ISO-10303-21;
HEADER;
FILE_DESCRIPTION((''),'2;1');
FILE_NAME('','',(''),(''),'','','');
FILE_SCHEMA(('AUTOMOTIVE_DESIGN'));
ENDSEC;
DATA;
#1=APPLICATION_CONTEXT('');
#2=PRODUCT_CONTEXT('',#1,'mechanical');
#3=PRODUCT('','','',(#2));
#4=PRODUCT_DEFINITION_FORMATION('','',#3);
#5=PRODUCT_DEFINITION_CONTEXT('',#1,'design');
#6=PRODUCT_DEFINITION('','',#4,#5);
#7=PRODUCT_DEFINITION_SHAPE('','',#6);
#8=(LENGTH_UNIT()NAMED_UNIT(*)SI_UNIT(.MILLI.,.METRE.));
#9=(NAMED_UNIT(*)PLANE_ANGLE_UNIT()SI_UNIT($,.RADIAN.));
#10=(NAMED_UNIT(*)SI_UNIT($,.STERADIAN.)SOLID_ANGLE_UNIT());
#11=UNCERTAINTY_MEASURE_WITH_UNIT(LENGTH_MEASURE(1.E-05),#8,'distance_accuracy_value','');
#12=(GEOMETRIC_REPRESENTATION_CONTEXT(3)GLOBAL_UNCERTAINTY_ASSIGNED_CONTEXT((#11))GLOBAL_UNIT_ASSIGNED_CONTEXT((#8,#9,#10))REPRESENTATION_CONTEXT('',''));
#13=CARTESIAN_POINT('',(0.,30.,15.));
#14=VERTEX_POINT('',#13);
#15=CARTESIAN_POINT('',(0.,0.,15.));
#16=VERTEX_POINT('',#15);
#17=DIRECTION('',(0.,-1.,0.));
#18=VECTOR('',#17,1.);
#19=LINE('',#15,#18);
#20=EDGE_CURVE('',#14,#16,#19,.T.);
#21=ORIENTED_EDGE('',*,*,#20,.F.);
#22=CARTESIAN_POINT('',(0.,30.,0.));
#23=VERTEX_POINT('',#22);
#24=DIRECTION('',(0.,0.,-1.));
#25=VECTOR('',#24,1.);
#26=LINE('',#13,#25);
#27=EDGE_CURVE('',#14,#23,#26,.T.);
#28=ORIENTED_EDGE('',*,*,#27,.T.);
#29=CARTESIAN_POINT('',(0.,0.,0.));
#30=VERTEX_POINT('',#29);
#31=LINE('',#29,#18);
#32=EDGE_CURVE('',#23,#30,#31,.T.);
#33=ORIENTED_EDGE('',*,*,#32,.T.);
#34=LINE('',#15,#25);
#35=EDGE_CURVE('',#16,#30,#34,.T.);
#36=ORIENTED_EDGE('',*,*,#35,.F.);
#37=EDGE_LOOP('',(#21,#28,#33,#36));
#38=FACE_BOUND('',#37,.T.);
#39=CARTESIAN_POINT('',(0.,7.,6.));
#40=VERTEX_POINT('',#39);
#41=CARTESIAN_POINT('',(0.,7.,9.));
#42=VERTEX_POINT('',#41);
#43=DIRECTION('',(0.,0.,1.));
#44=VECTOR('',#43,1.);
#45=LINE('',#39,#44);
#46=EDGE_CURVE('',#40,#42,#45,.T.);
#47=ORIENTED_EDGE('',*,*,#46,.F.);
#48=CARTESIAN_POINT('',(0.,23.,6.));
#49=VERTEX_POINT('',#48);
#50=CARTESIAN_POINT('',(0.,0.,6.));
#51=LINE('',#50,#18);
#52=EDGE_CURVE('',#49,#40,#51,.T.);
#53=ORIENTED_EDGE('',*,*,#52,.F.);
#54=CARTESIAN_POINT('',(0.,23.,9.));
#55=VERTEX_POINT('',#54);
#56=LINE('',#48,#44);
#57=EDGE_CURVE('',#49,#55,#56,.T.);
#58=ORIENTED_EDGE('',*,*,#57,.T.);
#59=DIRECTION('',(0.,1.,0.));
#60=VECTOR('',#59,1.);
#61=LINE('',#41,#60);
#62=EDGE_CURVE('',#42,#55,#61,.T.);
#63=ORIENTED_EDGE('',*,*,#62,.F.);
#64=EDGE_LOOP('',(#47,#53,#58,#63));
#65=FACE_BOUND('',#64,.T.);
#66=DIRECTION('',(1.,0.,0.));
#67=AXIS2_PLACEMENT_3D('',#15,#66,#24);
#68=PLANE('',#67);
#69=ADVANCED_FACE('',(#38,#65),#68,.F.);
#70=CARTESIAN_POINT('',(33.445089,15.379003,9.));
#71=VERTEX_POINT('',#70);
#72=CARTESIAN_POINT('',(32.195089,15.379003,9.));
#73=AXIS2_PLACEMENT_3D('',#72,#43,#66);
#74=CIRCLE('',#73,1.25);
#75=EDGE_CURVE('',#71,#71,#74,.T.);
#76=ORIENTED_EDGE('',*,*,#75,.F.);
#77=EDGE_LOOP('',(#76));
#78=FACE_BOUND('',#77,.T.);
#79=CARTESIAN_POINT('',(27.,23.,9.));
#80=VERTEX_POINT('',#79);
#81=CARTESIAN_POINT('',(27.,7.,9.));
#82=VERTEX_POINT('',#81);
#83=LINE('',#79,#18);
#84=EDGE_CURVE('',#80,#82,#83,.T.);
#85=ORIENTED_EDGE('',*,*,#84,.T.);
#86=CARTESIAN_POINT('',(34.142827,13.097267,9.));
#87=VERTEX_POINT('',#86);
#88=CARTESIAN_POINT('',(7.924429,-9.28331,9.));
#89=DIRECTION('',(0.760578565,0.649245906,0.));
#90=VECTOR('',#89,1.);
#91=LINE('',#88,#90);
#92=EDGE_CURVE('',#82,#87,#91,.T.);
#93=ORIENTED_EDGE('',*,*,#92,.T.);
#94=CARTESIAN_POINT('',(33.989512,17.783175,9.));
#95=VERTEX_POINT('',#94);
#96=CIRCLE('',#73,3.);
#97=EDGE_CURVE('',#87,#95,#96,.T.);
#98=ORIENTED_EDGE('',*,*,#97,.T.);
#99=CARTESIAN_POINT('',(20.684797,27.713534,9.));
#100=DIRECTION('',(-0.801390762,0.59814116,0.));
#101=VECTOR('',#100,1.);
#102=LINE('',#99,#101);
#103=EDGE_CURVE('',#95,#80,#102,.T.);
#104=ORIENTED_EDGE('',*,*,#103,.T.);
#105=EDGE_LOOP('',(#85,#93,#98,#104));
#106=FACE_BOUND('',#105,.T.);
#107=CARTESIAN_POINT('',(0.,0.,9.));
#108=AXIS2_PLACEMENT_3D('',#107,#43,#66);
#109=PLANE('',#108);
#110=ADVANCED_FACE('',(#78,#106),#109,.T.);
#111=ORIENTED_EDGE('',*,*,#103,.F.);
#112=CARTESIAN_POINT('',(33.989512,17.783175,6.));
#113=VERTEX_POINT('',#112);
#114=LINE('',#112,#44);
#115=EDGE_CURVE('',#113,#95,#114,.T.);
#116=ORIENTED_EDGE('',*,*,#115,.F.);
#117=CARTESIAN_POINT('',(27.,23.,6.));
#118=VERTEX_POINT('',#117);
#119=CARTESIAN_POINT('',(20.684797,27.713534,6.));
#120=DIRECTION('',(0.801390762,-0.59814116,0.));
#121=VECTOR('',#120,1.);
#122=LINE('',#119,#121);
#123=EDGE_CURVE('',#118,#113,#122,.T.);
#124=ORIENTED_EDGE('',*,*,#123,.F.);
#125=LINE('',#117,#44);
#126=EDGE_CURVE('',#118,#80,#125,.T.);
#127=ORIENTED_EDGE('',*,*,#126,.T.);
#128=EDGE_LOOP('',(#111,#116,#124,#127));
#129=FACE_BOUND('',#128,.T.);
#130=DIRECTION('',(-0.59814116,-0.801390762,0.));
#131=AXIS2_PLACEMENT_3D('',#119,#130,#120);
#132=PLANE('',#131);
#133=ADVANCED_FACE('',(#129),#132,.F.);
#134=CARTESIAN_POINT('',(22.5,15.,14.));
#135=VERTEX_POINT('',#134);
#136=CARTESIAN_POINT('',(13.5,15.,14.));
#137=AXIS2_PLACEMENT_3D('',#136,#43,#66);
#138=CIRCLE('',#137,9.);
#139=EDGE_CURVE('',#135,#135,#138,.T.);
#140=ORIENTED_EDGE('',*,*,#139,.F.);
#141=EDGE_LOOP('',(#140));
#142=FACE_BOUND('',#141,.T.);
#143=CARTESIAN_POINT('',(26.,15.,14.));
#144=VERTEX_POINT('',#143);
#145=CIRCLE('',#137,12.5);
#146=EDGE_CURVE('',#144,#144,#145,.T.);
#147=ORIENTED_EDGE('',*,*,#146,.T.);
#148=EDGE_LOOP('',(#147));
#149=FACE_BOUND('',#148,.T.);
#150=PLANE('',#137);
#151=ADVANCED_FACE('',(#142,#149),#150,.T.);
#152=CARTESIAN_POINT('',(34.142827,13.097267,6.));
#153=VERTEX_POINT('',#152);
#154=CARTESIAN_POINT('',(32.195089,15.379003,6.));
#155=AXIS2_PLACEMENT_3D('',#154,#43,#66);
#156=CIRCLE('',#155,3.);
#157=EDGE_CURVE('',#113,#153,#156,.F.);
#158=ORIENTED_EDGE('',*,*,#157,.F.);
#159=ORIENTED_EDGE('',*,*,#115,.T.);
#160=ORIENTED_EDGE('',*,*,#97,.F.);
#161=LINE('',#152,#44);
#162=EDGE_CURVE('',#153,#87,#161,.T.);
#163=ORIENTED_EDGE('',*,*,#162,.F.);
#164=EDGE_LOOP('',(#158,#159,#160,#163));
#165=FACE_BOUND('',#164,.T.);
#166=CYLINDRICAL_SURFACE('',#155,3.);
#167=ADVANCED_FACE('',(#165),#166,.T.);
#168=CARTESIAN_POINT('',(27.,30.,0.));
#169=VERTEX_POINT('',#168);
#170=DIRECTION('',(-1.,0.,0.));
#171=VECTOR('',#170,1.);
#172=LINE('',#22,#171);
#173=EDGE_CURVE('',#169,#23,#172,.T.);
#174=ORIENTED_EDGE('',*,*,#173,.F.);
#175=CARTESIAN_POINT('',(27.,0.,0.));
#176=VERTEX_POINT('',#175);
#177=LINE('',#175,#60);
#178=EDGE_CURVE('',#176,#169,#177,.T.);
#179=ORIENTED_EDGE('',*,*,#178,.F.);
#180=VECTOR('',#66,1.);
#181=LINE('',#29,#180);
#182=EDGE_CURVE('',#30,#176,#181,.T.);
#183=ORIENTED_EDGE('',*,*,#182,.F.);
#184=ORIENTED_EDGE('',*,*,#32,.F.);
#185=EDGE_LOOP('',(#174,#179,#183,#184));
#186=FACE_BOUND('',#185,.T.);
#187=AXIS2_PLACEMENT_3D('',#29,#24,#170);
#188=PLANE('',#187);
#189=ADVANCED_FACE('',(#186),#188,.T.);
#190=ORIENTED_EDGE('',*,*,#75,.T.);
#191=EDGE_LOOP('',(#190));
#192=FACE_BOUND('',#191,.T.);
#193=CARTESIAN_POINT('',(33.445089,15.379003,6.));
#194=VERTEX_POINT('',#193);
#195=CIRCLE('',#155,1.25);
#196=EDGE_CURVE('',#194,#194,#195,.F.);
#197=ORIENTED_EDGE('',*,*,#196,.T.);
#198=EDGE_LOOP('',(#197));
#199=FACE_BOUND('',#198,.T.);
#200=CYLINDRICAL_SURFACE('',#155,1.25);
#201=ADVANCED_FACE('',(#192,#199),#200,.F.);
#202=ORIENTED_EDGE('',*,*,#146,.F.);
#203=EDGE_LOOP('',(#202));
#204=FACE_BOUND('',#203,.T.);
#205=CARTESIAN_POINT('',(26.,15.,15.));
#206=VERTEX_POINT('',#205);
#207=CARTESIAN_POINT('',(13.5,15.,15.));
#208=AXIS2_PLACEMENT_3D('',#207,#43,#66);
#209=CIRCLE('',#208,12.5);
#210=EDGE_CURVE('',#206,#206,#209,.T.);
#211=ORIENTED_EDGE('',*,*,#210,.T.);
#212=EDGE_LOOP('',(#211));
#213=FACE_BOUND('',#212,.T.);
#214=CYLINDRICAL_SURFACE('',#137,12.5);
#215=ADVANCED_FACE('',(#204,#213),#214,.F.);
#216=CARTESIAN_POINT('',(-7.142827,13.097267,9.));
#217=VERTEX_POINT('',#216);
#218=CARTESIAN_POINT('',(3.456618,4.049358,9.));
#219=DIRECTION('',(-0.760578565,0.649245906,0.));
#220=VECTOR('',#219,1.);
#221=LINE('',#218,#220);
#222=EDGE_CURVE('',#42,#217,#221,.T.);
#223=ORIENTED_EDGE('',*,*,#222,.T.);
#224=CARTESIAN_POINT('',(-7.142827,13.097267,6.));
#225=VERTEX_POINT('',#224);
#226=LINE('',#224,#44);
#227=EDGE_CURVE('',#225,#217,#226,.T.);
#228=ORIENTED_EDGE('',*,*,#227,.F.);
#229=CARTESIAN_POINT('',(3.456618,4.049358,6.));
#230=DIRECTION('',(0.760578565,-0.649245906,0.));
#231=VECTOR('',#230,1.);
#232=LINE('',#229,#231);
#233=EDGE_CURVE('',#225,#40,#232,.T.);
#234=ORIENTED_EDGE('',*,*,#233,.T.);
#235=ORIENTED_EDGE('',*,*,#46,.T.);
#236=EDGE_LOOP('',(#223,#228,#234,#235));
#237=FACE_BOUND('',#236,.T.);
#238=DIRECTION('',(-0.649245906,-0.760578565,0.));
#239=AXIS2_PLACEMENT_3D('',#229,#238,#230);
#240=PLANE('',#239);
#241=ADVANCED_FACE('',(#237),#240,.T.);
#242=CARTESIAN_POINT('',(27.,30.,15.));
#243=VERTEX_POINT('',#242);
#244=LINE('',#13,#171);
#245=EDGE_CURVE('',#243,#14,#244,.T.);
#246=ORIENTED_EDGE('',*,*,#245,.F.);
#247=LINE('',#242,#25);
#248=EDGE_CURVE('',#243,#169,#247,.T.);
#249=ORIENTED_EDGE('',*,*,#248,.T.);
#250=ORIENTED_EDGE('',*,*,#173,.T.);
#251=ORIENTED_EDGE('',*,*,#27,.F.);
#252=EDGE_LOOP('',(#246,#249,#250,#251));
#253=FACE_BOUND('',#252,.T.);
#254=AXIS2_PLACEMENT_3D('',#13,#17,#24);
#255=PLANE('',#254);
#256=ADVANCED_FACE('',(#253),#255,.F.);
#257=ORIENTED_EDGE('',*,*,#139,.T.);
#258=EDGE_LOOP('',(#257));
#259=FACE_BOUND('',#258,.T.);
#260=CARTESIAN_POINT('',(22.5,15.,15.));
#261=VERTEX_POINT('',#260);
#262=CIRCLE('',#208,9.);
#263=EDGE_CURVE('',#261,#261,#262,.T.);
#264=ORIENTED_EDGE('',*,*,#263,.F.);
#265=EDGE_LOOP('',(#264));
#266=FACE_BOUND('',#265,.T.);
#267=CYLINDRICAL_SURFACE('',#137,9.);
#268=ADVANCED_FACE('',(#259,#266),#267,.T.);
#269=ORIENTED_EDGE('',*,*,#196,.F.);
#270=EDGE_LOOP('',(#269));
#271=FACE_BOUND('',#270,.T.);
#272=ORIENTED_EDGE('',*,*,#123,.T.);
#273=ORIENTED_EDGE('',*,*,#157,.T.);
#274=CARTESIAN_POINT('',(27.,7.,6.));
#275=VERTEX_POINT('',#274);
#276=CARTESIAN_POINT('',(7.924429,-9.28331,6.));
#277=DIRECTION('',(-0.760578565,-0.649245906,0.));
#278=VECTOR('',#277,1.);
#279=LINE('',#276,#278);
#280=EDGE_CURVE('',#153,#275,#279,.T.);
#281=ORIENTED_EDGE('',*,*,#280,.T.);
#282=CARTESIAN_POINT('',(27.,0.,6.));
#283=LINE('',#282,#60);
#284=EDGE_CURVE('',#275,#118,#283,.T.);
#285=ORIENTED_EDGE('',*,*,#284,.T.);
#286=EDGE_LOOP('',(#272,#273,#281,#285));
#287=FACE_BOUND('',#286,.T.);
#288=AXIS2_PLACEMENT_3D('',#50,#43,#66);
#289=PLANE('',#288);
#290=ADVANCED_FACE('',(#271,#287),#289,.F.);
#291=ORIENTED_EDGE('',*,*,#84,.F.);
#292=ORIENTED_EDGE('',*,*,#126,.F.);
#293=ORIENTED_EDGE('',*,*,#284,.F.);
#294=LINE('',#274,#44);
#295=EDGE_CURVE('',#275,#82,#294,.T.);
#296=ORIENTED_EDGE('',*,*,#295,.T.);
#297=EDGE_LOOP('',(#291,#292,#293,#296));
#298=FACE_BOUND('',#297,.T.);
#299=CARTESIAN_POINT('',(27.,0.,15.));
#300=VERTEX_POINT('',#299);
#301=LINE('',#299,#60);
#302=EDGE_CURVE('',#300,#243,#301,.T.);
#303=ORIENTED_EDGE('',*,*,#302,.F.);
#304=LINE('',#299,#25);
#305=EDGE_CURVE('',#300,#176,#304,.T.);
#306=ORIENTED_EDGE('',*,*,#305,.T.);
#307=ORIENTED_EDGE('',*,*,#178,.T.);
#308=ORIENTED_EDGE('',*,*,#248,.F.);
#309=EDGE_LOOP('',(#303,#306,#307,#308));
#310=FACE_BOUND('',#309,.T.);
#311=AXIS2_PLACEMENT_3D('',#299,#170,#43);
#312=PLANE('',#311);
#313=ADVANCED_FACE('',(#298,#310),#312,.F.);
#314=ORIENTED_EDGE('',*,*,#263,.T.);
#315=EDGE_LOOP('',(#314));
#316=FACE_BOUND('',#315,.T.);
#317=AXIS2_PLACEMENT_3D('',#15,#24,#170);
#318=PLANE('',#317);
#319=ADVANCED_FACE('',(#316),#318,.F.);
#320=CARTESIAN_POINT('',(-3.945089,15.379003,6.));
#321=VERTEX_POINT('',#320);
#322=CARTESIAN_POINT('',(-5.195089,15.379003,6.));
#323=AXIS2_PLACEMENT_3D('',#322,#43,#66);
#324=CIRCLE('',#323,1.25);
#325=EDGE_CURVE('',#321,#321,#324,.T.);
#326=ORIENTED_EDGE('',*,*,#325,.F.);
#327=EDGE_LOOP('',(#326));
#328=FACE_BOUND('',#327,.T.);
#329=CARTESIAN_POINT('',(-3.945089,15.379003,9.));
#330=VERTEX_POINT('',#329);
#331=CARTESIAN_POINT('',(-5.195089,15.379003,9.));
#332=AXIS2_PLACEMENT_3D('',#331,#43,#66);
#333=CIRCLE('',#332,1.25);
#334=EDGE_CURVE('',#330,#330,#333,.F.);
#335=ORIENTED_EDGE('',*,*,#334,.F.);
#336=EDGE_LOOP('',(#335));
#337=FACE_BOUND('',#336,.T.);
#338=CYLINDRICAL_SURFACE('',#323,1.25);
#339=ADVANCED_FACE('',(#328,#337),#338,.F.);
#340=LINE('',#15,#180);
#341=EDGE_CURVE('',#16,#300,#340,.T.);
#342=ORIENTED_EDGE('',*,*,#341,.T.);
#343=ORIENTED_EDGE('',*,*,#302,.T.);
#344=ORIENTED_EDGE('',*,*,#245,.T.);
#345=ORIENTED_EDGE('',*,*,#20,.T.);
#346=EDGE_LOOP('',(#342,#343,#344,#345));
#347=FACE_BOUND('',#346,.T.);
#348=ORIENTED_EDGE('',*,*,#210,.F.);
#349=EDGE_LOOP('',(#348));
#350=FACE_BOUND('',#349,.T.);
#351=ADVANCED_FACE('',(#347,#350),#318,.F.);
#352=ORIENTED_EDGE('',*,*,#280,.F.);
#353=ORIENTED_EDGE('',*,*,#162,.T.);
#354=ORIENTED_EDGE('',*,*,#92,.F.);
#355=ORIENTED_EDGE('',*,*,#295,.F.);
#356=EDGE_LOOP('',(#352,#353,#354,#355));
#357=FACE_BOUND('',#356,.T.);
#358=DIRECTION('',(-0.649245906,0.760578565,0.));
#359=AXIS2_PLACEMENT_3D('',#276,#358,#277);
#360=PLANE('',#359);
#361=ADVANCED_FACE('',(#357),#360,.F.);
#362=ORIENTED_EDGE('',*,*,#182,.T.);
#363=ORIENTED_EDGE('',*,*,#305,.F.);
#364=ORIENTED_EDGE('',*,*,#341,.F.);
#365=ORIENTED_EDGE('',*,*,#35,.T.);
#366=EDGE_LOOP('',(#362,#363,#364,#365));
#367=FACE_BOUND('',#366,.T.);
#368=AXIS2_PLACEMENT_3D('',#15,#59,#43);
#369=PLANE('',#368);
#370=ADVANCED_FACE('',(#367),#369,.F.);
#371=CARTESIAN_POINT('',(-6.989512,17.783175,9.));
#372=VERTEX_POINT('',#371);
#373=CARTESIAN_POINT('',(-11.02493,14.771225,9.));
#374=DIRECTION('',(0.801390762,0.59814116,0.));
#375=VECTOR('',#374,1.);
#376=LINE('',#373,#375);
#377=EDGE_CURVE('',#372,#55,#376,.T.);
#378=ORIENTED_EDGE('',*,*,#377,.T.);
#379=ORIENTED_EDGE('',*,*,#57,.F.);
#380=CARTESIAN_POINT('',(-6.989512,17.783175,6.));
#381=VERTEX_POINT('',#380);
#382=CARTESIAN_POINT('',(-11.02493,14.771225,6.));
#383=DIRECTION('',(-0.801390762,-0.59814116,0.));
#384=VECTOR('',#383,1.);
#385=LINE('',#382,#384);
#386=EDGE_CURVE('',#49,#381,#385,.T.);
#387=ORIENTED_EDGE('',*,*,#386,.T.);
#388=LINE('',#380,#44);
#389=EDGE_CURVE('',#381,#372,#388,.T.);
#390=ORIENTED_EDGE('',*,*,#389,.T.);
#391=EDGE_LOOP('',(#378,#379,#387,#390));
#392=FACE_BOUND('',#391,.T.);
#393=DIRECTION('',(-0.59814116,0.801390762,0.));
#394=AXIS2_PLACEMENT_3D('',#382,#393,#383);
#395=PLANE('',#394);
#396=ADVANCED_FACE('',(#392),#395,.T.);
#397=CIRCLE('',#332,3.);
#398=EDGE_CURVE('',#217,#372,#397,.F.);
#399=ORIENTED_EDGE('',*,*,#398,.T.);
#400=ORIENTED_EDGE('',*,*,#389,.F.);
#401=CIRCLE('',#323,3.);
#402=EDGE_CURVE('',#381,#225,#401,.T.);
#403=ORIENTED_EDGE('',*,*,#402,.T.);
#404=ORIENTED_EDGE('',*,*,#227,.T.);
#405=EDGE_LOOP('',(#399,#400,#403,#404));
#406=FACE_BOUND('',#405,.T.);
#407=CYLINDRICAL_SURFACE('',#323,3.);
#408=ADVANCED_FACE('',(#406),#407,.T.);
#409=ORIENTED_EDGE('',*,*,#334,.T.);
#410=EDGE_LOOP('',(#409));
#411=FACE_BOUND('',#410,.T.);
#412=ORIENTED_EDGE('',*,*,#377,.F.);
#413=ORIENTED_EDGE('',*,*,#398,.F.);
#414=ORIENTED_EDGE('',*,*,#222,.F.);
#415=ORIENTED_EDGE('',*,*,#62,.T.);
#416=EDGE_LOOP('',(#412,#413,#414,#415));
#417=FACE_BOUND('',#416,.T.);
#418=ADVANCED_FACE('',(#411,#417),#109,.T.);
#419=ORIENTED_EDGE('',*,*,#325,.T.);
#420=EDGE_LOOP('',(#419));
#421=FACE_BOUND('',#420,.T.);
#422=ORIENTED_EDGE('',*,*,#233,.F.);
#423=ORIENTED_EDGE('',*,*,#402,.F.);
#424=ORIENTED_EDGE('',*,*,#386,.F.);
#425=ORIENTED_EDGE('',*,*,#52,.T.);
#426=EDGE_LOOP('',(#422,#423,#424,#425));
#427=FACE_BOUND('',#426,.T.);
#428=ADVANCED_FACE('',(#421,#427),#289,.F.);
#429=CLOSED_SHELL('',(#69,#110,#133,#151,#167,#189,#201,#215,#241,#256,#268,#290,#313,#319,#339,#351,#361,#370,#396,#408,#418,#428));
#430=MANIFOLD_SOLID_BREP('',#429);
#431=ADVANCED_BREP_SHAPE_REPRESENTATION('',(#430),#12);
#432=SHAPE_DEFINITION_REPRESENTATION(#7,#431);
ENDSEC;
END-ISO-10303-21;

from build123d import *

# Parameters (mm, degrees)
SKETCH1_W           = 27
SKETCH1_H           = 30
BOSS_EXTRUDE1_DEPTH = 15
SKETCH2_R           = 12.5
SKETCH2_R_2         = 9
CUT_EXTRUDE1_DEPTH  = 1
SKETCH3_R           = 1.25
BOSS_EXTRUDE2_DEPTH = 9
SKETCH4_W           = 10.736601318
SKETCH4_H           = 16
CUT_EXTRUDE2_DEPTH  = 6


with BuildPart() as part:
    # Sketch1 → Boss-Extrude1 (new body)
    with BuildSketch(Plane.XY):
        with Locations((13.5, 15)):
            Rectangle(SKETCH1_W, SKETCH1_H)
    extrude(amount=BOSS_EXTRUDE1_DEPTH)

    # Sketch2 → Cut-Extrude1 (cut)
    with BuildSketch(Plane.XY.offset(15)):
        with Locations((13.5, 15)):
            Circle(SKETCH2_R)
        with Locations((13.5, 15)):
            Circle(SKETCH2_R_2, mode=Mode.SUBTRACT)
    extrude(amount=-CUT_EXTRUDE1_DEPTH, mode=Mode.SUBTRACT)

    # Sketch3 → Boss-Extrude2 (add)
    # profile 1 of 2: a face of its own
    with BuildSketch(Plane.XY.offset(15)):
        with BuildLine():
            Line((0, 7), (0, 23))
            Line((0, 23), (-6.989512345, 17.783175422))
            ThreePointArc((-6.989512345, 17.783175422), (-8.193484437, 15.477105093), (-7.142826585, 13.097267443))
            Line((-7.142826585, 13.097267443), (0, 7))
        make_face()
        with Locations((-5.195088865, 15.379003137)):
            Circle(SKETCH3_R, mode=Mode.SUBTRACT)
    # profile 2 of 2: a face of its own
    with BuildSketch(Plane.XY.offset(15)):
        with BuildLine():
            Line((27, 7), (34.142826585, 13.097267443))
            ThreePointArc((34.142826585, 13.097267443), (35.193484437, 15.477105093), (33.989512345, 17.783175422))
            Line((33.989512345, 17.783175422), (27, 23))
            Line((27, 23), (27, 7))
        make_face()
        with Locations((32.195088865, 15.379003137)):
            Circle(SKETCH3_R, mode=Mode.SUBTRACT)
    extrude(amount=-BOSS_EXTRUDE2_DEPTH)

    # Sketch4 → Cut-Extrude2 (cut)
    with BuildSketch(Plane.XY.offset(15)):
        Polygon((0, 23), (-13.068539103, 23), (-13.068539103, 5.328314146), (0, 7), align=None)
        with Locations((32.368300659, 15)):
            Rectangle(SKETCH4_W, SKETCH4_H)
    extrude(amount=-CUT_EXTRUDE2_DEPTH, mode=Mode.SUBTRACT)


solid = part.part
